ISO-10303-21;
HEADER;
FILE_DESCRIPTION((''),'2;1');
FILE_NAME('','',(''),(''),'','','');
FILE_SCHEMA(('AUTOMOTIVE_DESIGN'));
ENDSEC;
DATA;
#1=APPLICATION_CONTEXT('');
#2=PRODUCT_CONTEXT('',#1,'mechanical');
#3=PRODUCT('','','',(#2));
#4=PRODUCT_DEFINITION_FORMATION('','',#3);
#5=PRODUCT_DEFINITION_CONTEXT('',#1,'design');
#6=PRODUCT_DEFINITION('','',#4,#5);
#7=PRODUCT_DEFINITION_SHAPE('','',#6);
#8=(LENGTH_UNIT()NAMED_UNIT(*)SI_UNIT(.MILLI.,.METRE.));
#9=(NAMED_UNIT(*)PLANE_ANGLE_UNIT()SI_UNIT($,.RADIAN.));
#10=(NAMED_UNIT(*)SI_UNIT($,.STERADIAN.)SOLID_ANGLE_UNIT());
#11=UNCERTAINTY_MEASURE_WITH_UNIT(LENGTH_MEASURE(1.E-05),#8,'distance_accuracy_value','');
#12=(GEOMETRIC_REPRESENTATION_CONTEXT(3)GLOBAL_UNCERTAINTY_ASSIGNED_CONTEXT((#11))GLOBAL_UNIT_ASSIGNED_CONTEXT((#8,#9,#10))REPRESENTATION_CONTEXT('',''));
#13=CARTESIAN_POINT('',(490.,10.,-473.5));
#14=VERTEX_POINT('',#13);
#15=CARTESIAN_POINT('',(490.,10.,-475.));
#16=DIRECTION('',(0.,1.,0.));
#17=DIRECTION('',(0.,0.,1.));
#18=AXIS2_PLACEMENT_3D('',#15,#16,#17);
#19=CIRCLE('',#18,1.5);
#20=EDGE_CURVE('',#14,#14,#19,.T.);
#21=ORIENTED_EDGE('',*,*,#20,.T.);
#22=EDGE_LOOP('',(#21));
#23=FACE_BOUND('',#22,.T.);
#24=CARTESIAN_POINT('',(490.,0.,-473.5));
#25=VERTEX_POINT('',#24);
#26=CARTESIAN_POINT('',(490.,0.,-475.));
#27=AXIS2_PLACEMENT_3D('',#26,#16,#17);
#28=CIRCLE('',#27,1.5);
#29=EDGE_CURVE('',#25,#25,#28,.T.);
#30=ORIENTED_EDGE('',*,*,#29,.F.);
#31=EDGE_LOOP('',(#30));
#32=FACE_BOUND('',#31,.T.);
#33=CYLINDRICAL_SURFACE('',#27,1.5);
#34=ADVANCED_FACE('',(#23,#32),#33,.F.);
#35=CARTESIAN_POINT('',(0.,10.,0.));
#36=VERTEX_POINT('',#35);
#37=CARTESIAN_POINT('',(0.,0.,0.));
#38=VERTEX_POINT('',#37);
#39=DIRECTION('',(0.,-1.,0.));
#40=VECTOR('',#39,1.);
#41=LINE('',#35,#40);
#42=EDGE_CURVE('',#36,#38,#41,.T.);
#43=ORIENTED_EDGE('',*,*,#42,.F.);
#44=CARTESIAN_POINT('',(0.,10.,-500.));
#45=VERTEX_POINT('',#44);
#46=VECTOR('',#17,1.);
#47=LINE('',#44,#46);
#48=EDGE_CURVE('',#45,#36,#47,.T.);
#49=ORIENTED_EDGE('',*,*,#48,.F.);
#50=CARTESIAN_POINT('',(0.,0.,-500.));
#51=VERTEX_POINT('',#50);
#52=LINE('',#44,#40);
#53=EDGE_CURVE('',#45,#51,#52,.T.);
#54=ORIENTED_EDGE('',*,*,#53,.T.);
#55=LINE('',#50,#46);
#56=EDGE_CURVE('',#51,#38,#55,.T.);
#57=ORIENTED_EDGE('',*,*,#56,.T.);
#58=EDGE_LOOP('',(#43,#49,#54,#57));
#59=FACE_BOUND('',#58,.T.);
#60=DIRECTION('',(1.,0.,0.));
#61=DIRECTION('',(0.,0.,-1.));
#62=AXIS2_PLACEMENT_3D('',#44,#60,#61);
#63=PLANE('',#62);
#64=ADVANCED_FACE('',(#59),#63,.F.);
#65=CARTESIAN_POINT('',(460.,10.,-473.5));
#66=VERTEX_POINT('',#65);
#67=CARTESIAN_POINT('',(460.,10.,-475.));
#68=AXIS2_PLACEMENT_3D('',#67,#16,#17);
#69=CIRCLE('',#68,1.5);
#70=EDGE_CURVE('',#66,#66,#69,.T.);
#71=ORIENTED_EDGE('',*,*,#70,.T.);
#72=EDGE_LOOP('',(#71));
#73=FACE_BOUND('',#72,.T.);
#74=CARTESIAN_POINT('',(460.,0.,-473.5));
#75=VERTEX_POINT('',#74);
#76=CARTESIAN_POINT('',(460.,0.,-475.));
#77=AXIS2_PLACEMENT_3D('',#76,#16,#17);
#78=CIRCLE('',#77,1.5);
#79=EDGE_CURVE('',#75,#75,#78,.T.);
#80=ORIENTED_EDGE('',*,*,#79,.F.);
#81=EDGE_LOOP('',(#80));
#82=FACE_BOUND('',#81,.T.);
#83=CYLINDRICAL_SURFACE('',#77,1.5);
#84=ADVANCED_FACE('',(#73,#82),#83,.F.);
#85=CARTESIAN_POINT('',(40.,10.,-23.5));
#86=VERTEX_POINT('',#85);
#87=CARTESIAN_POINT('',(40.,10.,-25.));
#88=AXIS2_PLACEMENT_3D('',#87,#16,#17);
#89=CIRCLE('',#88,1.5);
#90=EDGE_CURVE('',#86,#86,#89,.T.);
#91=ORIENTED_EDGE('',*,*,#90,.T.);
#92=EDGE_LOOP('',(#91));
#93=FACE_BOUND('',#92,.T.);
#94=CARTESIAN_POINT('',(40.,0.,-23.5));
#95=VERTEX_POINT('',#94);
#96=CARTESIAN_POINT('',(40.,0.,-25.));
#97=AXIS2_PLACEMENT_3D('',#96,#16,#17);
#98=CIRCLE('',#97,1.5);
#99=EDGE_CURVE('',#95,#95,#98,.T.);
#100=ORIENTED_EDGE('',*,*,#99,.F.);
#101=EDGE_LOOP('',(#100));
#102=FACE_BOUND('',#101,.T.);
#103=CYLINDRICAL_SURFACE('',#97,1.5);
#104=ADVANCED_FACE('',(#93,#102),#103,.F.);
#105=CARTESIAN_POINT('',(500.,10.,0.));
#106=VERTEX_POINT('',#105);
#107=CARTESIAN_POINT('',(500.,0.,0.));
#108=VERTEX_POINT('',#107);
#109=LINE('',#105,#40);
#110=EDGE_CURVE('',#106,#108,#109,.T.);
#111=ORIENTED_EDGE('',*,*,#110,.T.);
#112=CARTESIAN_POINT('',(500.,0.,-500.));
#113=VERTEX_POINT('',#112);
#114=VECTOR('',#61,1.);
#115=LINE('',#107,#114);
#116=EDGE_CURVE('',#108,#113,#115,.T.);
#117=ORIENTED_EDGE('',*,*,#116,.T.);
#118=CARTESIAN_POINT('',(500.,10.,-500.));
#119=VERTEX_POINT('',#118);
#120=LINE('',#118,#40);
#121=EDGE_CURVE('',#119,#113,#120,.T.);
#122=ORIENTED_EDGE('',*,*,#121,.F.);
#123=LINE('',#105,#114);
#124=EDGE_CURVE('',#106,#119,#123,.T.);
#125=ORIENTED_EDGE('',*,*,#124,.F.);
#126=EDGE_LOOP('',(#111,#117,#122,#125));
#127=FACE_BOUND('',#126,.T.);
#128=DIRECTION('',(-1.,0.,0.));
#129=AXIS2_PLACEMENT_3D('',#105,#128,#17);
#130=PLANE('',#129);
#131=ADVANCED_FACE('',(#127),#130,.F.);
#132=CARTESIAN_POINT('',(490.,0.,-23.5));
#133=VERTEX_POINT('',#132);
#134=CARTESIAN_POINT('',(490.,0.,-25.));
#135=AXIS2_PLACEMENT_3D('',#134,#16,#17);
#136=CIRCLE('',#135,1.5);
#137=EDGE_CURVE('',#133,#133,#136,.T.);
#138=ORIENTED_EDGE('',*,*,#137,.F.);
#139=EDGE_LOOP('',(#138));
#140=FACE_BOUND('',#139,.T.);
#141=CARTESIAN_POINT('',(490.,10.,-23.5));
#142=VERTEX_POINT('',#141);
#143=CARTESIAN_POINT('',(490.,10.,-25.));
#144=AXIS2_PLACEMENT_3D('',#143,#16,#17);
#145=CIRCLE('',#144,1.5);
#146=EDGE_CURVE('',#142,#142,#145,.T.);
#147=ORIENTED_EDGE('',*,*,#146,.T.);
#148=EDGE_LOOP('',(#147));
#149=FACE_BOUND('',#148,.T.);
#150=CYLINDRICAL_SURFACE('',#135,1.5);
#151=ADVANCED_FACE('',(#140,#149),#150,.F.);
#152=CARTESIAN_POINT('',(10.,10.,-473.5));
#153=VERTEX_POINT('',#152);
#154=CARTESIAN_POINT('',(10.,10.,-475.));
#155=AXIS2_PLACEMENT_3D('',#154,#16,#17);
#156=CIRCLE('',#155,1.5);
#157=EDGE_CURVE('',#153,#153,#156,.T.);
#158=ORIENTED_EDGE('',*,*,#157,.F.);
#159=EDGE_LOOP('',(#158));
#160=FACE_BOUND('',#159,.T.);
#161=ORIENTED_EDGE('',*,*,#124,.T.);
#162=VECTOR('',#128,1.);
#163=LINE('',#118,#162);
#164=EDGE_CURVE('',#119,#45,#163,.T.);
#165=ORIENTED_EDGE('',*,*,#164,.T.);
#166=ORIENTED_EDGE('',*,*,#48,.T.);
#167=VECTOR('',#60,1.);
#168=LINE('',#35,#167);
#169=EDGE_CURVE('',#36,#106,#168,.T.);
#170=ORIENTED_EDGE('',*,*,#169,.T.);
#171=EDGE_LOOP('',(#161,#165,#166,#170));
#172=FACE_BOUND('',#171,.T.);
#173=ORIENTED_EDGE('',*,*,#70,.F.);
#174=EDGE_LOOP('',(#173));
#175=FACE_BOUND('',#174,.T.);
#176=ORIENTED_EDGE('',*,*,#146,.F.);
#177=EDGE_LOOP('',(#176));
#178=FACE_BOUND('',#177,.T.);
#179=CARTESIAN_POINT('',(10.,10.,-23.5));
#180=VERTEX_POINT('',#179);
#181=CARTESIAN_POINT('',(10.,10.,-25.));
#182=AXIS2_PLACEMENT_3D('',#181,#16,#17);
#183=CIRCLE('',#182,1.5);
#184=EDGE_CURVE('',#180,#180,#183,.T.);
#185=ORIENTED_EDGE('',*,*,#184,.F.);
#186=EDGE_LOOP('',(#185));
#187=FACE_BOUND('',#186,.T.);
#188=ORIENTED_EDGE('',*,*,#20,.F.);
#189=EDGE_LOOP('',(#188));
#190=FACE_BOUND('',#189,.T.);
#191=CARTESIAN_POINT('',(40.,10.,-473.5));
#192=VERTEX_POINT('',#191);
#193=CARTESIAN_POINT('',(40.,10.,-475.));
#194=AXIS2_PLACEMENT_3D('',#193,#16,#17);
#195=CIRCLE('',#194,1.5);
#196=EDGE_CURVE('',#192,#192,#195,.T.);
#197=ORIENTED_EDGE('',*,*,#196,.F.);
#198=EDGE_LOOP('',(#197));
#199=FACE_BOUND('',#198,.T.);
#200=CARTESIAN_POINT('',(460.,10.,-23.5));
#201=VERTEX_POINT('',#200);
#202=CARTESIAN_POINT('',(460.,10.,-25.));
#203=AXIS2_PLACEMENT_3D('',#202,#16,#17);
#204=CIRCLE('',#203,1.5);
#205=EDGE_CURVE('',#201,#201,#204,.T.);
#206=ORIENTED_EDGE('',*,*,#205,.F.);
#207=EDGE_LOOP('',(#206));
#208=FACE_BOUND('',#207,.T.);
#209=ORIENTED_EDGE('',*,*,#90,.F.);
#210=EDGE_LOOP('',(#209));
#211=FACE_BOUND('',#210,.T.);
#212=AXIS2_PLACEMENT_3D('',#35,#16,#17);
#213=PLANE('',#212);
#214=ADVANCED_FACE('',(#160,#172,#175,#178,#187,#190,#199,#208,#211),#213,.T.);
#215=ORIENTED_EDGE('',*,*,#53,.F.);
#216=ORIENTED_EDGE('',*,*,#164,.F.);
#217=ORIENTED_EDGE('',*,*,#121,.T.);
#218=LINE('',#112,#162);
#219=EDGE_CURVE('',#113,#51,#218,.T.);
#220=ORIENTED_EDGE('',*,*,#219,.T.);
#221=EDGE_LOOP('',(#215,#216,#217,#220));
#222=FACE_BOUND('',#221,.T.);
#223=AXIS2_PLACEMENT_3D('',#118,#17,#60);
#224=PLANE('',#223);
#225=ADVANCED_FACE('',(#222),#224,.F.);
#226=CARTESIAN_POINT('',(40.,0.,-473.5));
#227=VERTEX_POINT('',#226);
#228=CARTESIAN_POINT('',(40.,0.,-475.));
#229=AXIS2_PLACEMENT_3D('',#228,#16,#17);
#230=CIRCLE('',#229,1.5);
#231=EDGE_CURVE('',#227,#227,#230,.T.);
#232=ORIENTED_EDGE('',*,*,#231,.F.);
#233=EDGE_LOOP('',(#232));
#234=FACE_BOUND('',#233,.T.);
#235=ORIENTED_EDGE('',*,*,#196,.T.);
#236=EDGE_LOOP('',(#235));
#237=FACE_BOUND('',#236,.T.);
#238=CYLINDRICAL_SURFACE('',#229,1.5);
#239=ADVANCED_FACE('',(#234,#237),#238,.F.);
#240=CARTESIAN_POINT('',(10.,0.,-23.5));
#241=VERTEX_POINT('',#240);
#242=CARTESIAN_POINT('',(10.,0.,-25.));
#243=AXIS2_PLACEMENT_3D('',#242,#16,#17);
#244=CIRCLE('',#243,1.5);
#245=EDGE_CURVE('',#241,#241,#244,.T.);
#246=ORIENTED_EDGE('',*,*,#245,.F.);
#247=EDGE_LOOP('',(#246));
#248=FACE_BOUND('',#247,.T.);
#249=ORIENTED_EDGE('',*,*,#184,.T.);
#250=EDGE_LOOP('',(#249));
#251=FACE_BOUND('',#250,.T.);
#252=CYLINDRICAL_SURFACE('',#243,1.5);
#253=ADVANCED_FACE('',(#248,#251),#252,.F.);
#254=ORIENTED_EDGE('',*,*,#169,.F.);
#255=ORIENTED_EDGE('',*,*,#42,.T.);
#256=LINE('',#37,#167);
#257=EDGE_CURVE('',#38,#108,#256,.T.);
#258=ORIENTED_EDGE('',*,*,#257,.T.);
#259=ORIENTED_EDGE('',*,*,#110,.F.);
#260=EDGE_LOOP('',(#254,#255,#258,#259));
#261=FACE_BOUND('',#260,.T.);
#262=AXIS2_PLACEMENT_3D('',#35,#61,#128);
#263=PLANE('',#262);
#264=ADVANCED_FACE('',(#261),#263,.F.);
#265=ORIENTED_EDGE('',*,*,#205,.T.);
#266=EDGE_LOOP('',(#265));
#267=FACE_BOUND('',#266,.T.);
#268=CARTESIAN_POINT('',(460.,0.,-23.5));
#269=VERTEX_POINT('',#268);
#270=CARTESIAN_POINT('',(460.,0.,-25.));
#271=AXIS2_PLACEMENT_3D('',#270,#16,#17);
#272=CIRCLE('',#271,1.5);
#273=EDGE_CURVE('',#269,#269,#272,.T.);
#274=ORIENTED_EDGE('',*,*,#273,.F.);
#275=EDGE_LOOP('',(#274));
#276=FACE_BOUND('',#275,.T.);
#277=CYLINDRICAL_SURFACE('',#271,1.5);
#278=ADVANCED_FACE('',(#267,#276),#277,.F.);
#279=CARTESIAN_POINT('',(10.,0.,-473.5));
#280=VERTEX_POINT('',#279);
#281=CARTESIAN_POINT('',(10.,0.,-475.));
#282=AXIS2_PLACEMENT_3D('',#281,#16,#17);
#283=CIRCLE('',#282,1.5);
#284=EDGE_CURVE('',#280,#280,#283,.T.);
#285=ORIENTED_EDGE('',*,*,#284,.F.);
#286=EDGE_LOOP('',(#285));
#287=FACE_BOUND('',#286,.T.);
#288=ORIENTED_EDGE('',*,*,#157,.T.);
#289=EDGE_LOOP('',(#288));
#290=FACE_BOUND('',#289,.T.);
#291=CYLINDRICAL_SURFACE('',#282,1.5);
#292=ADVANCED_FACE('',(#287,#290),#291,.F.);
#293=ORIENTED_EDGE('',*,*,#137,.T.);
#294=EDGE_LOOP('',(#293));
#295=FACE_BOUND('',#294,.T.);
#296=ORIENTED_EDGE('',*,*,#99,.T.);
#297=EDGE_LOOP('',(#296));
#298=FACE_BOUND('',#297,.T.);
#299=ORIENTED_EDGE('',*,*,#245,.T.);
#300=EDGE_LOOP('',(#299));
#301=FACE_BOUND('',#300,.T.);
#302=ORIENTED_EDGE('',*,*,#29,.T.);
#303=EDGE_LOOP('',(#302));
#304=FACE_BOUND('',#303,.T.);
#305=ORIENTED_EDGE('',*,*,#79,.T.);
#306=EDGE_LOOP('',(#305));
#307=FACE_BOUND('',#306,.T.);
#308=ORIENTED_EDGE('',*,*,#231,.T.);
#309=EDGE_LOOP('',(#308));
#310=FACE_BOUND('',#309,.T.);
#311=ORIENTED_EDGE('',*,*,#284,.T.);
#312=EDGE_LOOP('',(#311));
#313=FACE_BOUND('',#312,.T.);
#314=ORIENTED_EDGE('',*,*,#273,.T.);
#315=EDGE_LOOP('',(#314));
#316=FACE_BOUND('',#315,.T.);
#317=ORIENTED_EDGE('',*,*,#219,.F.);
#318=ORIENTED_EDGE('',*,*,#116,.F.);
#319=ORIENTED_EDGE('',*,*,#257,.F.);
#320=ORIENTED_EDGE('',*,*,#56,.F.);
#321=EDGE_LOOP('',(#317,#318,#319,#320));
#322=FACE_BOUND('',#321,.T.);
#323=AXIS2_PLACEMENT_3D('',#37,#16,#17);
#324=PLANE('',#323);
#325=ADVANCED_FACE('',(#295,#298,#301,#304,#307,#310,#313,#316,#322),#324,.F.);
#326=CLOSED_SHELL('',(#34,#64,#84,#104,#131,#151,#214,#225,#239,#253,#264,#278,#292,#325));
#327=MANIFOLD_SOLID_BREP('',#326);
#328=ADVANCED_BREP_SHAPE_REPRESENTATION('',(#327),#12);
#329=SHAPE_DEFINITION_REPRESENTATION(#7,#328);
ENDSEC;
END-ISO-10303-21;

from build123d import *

# Parameters (mm, degrees)
SKETCH1_W           = 500
SKETCH1_H           = 500
BOSS_EXTRUDE1_DEPTH = 10
SKETCH2_R           = 1.5
CUT_EXTRUDE1_DEPTH  = 10


with BuildPart() as part:
    # Sketch1 → Boss-Extrude1 (new body)
    with BuildSketch(Plane(origin=(0, 0, 0), x_dir=(1, 0, 0), z_dir=(0, 1, 0))):
        with Locations((250, 250)):
            Rectangle(SKETCH1_W, SKETCH1_H)
    extrude(amount=BOSS_EXTRUDE1_DEPTH)

    # Sketch2 → Cut-Extrude1 (cut)
    with BuildSketch(Plane(origin=(0, 10, 0), x_dir=(1, 0, 0), z_dir=(0, 1, 0))):
        with Locations((10, 25)):
            Circle(SKETCH2_R)
        with Locations((10, 475)):
            Circle(SKETCH2_R)
        with Locations((40, 475)):
            Circle(SKETCH2_R)
        with Locations((40, 25)):
            Circle(SKETCH2_R)
        with Locations((460, 475)):
            Circle(SKETCH2_R)
        with Locations((490, 475)):
            Circle(SKETCH2_R)
        with Locations((460, 25)):
            Circle(SKETCH2_R)
        with Locations((490, 25)):
            Circle(SKETCH2_R)
    extrude(amount=-CUT_EXTRUDE1_DEPTH, mode=Mode.SUBTRACT)


solid = part.part
